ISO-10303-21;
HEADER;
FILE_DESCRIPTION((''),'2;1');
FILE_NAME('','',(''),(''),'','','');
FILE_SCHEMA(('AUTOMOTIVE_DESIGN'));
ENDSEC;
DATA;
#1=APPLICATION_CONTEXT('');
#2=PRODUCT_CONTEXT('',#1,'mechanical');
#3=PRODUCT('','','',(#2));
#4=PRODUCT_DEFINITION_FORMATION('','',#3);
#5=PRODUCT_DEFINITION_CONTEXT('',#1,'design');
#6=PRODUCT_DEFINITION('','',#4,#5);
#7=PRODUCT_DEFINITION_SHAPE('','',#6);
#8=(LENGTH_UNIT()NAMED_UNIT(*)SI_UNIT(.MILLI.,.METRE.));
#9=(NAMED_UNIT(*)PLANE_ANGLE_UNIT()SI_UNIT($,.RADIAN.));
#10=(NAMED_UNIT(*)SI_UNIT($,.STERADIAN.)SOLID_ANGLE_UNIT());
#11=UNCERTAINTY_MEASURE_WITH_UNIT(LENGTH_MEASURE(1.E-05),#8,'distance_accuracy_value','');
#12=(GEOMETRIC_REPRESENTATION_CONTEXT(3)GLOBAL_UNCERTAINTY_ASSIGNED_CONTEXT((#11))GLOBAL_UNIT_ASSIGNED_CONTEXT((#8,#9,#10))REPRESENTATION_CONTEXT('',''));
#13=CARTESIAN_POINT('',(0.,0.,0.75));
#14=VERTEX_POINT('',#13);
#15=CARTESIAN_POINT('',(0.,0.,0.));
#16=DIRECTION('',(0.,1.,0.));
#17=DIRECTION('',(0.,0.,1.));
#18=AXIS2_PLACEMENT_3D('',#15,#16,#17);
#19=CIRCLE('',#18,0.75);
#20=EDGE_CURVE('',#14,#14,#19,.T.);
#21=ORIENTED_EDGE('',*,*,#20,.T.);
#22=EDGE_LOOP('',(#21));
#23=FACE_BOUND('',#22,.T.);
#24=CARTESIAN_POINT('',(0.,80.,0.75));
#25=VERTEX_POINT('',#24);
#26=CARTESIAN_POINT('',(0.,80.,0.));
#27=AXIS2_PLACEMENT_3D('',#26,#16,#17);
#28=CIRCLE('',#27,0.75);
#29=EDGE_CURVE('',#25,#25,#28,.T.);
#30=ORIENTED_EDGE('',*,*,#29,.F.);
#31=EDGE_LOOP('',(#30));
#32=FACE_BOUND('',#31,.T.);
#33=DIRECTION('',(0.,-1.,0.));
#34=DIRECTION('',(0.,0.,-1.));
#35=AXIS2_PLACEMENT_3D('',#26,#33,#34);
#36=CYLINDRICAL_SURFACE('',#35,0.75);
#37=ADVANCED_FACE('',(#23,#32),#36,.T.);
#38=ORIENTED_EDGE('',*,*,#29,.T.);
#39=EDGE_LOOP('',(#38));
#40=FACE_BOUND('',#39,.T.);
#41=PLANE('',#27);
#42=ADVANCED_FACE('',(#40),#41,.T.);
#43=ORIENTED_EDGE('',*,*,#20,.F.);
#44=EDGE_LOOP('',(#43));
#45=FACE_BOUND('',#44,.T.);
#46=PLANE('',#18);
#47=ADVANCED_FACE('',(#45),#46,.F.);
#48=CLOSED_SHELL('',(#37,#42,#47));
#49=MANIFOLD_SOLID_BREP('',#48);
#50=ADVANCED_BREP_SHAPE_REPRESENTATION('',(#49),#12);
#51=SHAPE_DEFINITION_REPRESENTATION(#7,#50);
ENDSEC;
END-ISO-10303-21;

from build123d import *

# Parameters (mm, degrees)
SKETCH_1_R      = 0.75
EXTRUDE_1_DEPTH = 80


with BuildPart() as part:
    # 草图1 → 凸台-拉伸1 (new body)
    with BuildSketch(Plane(origin=(0, 0, 0), x_dir=(1, 0, 0), z_dir=(0, 1, 0))):
        with Locations(Location((0, 0, 0), (0, 0, 270))):
            Circle(SKETCH_1_R)
    extrude(amount=EXTRUDE_1_DEPTH)


solid = part.part
